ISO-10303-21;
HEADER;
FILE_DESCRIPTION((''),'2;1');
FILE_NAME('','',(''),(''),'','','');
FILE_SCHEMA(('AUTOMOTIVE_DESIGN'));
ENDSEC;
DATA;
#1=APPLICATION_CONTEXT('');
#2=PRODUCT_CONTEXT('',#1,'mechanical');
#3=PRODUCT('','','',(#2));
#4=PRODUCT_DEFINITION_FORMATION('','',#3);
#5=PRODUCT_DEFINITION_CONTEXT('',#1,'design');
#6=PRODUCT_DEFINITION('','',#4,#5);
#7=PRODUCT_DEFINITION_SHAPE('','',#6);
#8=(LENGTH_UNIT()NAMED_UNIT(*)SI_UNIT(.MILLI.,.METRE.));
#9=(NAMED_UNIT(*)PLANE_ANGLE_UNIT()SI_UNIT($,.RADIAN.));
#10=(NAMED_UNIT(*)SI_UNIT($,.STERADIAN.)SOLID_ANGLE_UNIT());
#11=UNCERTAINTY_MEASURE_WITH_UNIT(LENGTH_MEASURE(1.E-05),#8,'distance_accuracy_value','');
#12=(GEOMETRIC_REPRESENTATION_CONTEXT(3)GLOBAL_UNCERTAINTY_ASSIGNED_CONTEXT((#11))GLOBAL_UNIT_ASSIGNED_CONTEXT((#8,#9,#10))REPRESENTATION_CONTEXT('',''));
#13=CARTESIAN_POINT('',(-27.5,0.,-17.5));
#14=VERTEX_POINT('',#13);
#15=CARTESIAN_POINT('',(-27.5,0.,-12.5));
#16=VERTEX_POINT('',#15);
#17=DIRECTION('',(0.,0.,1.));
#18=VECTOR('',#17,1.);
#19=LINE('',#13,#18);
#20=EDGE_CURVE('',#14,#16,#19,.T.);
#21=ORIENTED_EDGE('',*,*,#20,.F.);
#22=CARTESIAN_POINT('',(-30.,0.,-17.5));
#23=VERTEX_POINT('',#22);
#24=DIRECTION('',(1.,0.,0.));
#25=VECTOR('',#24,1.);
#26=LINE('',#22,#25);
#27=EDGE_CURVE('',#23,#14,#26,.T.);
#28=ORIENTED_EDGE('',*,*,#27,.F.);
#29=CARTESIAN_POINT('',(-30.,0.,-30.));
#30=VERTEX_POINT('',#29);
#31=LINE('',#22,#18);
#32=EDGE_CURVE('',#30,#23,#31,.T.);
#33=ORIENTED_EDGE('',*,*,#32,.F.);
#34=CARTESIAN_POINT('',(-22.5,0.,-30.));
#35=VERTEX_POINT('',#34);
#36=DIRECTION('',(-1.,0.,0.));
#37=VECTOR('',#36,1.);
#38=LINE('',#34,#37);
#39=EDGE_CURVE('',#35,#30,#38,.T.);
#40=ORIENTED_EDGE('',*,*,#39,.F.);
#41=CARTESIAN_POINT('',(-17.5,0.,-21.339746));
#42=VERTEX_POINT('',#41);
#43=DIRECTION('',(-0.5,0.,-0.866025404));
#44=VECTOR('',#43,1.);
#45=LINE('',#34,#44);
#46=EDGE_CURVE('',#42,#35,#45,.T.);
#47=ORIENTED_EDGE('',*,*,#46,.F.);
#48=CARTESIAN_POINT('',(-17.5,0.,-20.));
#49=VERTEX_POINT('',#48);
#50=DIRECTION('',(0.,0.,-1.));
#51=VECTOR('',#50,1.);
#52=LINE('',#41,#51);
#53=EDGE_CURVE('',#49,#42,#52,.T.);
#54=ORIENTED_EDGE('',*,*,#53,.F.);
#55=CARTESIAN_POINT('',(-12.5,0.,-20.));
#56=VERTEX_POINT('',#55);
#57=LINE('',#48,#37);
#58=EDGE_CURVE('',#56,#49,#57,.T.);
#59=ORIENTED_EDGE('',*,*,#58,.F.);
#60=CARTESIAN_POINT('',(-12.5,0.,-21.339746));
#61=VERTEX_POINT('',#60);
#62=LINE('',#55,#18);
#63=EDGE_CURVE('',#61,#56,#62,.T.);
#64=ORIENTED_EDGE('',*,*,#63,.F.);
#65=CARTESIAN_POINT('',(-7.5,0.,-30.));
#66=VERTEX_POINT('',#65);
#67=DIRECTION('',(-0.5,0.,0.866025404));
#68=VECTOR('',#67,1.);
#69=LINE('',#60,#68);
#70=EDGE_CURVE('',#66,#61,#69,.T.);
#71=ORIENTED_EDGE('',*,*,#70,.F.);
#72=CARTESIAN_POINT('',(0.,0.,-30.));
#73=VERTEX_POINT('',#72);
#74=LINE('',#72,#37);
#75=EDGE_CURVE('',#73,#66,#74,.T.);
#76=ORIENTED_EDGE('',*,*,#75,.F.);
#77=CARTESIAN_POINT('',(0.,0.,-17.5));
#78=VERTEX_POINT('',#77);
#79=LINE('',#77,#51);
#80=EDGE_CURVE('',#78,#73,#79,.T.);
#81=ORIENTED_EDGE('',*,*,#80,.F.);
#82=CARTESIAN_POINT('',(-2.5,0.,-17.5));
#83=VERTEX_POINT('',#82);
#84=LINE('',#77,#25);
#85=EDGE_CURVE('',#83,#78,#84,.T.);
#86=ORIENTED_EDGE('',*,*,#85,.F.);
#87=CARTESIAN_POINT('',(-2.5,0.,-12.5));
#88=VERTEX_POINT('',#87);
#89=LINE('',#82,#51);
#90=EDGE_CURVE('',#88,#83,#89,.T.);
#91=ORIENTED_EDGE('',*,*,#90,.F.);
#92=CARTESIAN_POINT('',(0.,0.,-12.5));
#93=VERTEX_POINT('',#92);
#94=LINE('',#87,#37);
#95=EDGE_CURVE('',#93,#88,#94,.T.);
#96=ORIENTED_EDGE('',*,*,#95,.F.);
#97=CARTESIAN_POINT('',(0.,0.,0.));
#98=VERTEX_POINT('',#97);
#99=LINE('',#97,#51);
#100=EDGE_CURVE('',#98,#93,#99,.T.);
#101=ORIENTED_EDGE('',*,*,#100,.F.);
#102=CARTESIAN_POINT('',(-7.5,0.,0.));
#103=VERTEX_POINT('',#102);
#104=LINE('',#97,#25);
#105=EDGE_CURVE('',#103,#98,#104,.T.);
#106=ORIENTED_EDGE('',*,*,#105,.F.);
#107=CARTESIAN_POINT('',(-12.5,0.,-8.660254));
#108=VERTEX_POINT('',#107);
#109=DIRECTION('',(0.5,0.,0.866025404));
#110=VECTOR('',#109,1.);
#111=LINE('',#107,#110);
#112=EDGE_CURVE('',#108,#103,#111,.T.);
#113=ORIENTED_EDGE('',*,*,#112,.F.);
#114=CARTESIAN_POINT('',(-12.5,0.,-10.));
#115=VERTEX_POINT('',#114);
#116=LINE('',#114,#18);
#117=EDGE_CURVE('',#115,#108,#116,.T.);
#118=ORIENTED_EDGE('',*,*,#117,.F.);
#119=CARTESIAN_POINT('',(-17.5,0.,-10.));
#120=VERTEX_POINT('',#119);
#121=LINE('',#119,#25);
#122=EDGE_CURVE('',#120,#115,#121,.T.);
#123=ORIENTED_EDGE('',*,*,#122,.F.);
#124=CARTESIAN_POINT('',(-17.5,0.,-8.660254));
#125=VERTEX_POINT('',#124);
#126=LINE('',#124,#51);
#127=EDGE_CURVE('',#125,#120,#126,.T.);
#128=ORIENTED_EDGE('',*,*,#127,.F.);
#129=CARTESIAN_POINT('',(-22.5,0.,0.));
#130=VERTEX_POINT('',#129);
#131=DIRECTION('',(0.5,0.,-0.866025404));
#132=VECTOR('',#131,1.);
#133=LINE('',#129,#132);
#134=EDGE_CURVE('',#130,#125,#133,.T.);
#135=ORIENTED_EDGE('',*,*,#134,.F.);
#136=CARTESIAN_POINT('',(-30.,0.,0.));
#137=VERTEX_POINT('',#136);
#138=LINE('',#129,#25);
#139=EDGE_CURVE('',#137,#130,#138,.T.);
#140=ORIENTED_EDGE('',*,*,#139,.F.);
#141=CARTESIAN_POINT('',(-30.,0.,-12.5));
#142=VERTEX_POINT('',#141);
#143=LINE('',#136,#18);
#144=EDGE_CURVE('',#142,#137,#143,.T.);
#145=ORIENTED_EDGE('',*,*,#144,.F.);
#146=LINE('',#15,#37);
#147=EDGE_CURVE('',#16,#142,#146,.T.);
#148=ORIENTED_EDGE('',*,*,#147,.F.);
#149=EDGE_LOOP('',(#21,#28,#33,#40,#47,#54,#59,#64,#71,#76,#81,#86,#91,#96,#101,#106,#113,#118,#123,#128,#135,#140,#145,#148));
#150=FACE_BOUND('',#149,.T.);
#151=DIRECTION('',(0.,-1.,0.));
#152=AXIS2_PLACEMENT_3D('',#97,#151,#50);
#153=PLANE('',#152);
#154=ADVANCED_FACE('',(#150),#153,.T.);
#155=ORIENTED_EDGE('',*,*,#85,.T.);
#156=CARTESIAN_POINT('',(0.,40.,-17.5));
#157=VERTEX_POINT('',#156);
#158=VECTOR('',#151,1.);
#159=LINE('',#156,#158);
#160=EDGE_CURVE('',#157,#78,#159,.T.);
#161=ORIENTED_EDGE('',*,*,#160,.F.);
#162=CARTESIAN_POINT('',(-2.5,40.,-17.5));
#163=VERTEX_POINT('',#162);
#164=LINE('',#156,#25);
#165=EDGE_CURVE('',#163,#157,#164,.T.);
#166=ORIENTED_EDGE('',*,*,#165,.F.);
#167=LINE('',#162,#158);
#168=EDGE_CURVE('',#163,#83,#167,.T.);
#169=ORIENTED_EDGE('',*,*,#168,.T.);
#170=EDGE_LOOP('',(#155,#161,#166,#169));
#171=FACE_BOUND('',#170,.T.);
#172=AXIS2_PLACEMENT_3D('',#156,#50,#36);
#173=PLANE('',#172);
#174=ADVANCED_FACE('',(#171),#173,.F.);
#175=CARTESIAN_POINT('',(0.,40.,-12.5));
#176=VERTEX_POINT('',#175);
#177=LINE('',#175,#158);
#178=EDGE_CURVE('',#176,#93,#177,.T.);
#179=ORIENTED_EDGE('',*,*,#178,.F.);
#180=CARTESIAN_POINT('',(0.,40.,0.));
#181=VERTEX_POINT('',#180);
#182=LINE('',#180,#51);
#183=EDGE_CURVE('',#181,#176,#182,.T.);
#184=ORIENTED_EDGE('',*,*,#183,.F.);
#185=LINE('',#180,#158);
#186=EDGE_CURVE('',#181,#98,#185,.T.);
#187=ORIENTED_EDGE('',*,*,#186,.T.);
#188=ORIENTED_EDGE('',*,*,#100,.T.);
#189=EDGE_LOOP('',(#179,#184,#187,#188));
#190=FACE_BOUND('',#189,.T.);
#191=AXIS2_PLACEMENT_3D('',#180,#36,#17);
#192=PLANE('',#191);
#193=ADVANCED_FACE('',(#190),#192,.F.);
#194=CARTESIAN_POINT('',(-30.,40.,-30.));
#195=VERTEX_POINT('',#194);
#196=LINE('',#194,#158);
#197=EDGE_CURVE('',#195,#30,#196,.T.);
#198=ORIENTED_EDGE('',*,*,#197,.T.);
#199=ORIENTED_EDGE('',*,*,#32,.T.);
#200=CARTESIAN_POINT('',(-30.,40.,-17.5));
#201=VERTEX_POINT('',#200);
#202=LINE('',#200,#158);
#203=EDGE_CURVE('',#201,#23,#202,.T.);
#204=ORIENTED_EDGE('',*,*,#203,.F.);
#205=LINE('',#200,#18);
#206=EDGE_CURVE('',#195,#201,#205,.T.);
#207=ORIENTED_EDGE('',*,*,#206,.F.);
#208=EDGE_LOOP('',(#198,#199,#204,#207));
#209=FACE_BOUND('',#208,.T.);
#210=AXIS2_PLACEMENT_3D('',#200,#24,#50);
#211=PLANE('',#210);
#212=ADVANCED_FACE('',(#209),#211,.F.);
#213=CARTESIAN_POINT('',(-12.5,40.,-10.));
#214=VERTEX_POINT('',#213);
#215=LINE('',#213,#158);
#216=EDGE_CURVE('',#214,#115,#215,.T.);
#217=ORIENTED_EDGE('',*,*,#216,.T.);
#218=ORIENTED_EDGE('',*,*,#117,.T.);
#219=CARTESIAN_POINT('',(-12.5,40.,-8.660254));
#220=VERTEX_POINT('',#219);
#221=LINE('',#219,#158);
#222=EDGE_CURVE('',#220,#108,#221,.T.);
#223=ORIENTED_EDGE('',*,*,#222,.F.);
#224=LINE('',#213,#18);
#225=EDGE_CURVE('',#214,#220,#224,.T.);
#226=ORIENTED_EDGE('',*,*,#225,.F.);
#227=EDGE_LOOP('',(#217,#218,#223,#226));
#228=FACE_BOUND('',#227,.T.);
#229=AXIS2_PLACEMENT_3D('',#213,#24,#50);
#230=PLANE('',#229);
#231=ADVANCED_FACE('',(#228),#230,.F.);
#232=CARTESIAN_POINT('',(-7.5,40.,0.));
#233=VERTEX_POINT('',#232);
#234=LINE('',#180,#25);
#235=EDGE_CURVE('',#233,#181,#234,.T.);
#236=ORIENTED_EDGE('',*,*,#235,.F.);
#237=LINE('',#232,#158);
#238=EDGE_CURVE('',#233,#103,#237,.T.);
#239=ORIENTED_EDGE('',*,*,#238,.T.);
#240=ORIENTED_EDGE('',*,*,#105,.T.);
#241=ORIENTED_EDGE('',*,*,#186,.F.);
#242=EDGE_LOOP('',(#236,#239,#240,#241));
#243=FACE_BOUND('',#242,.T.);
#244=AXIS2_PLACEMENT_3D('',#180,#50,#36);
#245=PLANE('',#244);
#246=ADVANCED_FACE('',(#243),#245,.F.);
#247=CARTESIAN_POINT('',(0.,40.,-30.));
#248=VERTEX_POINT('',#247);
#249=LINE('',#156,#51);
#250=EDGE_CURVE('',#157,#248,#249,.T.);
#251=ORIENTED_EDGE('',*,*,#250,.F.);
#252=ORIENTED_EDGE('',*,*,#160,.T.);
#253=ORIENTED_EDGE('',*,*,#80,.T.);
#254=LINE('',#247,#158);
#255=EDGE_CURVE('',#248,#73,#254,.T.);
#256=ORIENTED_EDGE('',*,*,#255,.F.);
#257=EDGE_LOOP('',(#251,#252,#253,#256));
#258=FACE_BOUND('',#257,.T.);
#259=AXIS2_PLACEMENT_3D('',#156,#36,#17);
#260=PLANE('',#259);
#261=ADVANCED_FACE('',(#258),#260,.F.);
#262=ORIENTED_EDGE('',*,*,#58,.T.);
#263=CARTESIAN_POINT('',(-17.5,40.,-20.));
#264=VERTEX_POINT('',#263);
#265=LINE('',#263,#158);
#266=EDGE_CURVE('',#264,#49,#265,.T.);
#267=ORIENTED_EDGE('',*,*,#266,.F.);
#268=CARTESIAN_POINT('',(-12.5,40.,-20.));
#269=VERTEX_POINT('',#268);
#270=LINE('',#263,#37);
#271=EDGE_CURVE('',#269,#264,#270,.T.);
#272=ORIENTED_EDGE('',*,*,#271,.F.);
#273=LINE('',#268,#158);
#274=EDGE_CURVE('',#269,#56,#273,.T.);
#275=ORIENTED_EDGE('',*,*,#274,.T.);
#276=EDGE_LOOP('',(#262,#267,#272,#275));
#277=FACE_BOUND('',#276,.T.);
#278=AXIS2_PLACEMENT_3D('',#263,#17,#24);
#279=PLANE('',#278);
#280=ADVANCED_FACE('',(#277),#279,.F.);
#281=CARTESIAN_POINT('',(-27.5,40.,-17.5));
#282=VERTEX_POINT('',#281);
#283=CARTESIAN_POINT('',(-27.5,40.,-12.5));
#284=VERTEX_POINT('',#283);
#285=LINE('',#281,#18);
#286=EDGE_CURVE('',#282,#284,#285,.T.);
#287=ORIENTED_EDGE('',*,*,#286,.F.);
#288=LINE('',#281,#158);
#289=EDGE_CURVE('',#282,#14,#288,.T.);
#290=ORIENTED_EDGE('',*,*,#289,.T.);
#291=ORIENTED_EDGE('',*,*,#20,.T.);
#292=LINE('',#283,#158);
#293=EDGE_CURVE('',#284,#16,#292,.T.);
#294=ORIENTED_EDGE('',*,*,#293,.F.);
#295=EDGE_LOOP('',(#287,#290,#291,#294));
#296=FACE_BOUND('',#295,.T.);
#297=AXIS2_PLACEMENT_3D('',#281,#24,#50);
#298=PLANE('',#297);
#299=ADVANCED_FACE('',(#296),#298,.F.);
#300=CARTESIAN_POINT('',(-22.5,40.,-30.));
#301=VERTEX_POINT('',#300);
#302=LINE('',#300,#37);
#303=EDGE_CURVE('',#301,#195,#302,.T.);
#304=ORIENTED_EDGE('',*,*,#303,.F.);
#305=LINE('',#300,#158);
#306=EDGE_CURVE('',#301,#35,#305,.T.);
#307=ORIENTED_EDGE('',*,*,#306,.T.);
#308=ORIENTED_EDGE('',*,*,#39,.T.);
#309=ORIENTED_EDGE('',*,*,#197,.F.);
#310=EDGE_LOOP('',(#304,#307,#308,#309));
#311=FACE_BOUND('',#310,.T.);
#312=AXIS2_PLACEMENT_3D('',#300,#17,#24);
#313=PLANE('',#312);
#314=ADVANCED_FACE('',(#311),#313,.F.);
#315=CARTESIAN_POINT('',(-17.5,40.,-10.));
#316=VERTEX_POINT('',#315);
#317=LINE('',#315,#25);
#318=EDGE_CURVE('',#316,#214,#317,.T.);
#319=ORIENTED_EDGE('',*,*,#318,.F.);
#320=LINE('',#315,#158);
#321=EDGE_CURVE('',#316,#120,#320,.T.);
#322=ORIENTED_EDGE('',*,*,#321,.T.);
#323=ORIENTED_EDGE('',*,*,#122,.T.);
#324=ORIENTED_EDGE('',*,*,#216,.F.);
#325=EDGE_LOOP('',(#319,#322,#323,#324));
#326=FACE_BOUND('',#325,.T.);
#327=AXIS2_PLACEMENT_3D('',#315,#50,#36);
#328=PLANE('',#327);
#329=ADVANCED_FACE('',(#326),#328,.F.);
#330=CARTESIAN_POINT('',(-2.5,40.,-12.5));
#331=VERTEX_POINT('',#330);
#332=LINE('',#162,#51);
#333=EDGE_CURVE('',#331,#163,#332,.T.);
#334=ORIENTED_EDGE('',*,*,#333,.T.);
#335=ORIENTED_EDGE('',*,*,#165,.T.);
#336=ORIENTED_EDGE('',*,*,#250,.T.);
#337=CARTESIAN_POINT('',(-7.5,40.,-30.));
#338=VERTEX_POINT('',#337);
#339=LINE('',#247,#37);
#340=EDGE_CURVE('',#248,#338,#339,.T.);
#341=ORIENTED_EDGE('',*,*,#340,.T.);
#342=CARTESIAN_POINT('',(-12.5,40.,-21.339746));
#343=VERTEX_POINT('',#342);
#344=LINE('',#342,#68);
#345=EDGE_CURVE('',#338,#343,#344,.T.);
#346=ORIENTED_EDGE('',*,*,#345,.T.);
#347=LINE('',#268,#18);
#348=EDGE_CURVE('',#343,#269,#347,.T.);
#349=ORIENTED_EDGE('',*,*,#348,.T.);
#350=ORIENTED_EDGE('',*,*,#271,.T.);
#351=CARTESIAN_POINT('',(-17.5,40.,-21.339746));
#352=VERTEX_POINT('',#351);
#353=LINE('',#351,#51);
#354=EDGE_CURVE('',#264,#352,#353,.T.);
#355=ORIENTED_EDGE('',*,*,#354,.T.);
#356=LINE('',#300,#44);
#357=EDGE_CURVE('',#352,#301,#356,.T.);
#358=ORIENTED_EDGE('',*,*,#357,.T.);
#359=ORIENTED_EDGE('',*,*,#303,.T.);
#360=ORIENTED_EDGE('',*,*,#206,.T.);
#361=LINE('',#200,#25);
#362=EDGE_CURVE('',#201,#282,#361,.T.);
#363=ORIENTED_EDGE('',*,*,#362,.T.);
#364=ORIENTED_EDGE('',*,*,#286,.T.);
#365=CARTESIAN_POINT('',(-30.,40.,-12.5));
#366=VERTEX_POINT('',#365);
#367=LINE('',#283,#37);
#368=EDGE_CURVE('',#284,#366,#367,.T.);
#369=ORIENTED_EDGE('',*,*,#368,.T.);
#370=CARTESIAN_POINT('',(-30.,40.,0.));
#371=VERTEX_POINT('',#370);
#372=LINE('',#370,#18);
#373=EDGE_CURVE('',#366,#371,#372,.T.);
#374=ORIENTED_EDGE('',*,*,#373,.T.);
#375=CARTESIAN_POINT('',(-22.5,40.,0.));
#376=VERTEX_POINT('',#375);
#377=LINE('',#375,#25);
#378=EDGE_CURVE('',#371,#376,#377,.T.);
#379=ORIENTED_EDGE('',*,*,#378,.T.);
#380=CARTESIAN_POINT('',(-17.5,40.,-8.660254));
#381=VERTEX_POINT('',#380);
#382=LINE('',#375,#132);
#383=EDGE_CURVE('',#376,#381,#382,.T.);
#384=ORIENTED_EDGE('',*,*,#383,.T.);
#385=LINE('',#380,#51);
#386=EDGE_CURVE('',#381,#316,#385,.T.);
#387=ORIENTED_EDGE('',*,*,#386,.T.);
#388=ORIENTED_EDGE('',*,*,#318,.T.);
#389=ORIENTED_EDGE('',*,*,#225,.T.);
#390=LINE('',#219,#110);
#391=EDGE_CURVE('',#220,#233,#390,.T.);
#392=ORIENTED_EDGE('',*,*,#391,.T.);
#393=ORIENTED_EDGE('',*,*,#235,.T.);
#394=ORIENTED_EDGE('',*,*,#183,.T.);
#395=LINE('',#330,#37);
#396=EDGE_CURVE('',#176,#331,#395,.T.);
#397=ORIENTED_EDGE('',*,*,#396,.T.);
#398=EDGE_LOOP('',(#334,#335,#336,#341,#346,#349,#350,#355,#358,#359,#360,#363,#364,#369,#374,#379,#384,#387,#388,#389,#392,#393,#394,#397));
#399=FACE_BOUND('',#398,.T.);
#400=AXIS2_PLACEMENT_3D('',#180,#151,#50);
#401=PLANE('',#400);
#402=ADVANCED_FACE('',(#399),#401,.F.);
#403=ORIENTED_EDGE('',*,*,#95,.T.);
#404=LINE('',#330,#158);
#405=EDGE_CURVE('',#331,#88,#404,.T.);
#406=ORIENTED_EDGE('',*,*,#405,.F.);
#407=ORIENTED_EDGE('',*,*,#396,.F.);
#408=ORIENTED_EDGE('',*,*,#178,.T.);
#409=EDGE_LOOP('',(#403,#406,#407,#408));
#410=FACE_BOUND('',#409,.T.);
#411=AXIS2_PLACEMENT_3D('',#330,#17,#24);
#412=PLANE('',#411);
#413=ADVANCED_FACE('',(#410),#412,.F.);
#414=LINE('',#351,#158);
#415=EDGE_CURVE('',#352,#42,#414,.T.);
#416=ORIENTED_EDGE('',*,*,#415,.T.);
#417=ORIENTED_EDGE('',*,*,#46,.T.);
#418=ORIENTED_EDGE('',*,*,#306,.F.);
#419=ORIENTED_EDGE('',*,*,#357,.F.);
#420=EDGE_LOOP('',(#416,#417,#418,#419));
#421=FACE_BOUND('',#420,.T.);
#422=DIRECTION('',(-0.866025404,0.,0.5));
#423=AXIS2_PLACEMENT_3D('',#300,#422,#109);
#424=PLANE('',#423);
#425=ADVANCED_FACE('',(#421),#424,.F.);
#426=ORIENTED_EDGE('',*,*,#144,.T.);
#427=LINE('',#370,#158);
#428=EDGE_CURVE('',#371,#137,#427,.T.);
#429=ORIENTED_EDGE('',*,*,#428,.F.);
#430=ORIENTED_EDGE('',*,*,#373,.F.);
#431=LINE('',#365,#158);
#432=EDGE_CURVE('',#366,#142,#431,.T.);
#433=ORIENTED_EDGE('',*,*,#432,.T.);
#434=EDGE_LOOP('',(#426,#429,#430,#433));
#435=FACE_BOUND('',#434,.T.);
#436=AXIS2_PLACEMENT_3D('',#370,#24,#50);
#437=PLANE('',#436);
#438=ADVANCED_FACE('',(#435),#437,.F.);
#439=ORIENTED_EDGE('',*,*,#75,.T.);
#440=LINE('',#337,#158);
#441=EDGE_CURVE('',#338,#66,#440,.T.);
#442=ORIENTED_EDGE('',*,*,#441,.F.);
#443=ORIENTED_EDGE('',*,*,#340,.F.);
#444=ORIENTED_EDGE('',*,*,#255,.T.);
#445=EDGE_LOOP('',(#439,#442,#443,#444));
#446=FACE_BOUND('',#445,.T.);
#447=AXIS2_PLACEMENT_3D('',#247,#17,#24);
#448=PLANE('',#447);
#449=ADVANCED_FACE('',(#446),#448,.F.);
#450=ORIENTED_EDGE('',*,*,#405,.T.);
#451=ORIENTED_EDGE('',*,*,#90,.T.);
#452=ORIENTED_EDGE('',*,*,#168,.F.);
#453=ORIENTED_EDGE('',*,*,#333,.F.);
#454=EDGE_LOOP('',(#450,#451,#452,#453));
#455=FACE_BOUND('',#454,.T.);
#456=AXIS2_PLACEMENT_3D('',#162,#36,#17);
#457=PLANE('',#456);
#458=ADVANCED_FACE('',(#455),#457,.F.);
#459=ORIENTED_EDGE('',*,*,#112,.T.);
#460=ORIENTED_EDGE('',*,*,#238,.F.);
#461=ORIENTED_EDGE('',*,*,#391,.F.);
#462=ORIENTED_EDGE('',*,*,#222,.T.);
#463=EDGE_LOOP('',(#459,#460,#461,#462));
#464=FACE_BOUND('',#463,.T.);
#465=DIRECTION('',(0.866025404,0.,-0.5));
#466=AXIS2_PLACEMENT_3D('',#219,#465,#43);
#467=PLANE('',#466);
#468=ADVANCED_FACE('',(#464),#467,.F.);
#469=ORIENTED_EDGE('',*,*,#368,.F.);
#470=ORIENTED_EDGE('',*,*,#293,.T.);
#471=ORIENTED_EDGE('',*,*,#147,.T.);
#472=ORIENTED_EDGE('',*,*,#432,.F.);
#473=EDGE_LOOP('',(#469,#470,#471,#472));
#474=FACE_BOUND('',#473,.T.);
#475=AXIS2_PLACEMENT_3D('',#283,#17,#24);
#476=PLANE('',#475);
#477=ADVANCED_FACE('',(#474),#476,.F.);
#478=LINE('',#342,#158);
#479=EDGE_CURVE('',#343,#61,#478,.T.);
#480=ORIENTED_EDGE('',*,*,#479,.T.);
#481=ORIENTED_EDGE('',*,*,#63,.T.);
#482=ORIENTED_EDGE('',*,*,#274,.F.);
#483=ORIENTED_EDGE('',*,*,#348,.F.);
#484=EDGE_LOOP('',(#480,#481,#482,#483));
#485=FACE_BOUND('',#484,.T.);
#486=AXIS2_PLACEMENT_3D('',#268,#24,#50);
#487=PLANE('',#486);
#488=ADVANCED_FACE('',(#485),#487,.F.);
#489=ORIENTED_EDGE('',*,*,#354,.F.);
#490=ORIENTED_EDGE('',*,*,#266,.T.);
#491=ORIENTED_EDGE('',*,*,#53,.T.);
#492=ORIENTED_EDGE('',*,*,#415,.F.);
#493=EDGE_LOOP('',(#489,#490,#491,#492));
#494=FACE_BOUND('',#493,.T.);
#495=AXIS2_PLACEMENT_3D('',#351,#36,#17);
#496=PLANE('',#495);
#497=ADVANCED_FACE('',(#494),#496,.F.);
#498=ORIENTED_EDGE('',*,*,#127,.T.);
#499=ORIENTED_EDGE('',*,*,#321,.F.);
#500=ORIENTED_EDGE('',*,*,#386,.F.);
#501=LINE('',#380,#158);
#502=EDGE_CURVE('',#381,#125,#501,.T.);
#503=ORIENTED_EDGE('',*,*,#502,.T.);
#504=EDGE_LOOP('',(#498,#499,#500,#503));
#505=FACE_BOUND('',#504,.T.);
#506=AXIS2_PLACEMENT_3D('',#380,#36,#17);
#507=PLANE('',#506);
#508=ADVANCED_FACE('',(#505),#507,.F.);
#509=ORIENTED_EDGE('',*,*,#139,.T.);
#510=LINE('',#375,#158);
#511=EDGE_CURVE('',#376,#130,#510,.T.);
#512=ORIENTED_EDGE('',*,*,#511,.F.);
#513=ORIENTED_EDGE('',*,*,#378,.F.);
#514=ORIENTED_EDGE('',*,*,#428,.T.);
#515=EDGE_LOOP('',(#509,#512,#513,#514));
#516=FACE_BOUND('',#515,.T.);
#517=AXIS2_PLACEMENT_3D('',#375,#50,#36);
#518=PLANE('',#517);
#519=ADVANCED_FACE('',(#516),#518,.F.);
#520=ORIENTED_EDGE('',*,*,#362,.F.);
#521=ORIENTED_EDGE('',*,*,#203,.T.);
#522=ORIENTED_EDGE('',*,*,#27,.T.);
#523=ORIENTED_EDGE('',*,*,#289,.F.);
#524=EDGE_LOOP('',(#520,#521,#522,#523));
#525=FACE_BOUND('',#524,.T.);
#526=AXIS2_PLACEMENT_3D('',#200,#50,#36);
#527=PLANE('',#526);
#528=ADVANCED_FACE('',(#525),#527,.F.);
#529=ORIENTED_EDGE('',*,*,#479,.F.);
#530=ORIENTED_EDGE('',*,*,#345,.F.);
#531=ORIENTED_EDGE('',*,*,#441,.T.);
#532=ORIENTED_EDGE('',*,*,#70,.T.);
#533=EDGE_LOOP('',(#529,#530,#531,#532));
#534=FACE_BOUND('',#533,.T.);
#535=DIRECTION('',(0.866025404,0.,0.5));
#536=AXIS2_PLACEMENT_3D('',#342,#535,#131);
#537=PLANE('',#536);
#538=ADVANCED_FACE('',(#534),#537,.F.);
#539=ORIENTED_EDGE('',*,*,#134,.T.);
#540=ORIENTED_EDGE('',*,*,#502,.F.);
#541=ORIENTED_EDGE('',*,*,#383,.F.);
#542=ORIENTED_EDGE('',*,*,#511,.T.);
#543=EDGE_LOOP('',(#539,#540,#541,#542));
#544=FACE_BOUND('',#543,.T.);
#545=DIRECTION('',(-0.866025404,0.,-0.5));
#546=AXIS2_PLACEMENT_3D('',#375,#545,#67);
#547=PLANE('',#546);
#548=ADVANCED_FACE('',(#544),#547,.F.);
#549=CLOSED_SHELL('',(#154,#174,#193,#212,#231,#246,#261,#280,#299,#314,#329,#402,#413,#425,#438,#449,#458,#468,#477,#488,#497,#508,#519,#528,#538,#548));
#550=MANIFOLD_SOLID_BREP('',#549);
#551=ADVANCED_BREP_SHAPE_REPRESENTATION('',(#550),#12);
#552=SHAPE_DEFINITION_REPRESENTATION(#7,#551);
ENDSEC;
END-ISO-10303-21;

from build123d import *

# Parameters (mm, degrees)
BOSS_EXTRUDE1_DEPTH = 40


with BuildPart() as part:
    # Sketch1 → Boss-Extrude1 (new body)
    with BuildSketch(Plane(origin=(0, 0, 0), x_dir=(1, 0, 0), z_dir=(0, 1, 0))):
        Polygon((-30, 17.5), (-27.5, 17.5), (-27.5, 12.5), (-30, 12.5), (-30, 0), (-22.5, 0), (-17.5, 8.660254038), (-17.5, 10), (-12.5, 10), (-12.5, 8.660254038), (-7.5, 0), (0, 0), (0, 12.5), (-2.5, 12.5), (-2.5, 17.5), (0, 17.5), (0, 30), (-7.5, 30), (-12.5, 21.339745962), (-12.5, 20), (-17.5, 20), (-17.5, 21.339745962), (-22.5, 30), (-30, 30), align=None)
    extrude(amount=BOSS_EXTRUDE1_DEPTH)


solid = part.part
